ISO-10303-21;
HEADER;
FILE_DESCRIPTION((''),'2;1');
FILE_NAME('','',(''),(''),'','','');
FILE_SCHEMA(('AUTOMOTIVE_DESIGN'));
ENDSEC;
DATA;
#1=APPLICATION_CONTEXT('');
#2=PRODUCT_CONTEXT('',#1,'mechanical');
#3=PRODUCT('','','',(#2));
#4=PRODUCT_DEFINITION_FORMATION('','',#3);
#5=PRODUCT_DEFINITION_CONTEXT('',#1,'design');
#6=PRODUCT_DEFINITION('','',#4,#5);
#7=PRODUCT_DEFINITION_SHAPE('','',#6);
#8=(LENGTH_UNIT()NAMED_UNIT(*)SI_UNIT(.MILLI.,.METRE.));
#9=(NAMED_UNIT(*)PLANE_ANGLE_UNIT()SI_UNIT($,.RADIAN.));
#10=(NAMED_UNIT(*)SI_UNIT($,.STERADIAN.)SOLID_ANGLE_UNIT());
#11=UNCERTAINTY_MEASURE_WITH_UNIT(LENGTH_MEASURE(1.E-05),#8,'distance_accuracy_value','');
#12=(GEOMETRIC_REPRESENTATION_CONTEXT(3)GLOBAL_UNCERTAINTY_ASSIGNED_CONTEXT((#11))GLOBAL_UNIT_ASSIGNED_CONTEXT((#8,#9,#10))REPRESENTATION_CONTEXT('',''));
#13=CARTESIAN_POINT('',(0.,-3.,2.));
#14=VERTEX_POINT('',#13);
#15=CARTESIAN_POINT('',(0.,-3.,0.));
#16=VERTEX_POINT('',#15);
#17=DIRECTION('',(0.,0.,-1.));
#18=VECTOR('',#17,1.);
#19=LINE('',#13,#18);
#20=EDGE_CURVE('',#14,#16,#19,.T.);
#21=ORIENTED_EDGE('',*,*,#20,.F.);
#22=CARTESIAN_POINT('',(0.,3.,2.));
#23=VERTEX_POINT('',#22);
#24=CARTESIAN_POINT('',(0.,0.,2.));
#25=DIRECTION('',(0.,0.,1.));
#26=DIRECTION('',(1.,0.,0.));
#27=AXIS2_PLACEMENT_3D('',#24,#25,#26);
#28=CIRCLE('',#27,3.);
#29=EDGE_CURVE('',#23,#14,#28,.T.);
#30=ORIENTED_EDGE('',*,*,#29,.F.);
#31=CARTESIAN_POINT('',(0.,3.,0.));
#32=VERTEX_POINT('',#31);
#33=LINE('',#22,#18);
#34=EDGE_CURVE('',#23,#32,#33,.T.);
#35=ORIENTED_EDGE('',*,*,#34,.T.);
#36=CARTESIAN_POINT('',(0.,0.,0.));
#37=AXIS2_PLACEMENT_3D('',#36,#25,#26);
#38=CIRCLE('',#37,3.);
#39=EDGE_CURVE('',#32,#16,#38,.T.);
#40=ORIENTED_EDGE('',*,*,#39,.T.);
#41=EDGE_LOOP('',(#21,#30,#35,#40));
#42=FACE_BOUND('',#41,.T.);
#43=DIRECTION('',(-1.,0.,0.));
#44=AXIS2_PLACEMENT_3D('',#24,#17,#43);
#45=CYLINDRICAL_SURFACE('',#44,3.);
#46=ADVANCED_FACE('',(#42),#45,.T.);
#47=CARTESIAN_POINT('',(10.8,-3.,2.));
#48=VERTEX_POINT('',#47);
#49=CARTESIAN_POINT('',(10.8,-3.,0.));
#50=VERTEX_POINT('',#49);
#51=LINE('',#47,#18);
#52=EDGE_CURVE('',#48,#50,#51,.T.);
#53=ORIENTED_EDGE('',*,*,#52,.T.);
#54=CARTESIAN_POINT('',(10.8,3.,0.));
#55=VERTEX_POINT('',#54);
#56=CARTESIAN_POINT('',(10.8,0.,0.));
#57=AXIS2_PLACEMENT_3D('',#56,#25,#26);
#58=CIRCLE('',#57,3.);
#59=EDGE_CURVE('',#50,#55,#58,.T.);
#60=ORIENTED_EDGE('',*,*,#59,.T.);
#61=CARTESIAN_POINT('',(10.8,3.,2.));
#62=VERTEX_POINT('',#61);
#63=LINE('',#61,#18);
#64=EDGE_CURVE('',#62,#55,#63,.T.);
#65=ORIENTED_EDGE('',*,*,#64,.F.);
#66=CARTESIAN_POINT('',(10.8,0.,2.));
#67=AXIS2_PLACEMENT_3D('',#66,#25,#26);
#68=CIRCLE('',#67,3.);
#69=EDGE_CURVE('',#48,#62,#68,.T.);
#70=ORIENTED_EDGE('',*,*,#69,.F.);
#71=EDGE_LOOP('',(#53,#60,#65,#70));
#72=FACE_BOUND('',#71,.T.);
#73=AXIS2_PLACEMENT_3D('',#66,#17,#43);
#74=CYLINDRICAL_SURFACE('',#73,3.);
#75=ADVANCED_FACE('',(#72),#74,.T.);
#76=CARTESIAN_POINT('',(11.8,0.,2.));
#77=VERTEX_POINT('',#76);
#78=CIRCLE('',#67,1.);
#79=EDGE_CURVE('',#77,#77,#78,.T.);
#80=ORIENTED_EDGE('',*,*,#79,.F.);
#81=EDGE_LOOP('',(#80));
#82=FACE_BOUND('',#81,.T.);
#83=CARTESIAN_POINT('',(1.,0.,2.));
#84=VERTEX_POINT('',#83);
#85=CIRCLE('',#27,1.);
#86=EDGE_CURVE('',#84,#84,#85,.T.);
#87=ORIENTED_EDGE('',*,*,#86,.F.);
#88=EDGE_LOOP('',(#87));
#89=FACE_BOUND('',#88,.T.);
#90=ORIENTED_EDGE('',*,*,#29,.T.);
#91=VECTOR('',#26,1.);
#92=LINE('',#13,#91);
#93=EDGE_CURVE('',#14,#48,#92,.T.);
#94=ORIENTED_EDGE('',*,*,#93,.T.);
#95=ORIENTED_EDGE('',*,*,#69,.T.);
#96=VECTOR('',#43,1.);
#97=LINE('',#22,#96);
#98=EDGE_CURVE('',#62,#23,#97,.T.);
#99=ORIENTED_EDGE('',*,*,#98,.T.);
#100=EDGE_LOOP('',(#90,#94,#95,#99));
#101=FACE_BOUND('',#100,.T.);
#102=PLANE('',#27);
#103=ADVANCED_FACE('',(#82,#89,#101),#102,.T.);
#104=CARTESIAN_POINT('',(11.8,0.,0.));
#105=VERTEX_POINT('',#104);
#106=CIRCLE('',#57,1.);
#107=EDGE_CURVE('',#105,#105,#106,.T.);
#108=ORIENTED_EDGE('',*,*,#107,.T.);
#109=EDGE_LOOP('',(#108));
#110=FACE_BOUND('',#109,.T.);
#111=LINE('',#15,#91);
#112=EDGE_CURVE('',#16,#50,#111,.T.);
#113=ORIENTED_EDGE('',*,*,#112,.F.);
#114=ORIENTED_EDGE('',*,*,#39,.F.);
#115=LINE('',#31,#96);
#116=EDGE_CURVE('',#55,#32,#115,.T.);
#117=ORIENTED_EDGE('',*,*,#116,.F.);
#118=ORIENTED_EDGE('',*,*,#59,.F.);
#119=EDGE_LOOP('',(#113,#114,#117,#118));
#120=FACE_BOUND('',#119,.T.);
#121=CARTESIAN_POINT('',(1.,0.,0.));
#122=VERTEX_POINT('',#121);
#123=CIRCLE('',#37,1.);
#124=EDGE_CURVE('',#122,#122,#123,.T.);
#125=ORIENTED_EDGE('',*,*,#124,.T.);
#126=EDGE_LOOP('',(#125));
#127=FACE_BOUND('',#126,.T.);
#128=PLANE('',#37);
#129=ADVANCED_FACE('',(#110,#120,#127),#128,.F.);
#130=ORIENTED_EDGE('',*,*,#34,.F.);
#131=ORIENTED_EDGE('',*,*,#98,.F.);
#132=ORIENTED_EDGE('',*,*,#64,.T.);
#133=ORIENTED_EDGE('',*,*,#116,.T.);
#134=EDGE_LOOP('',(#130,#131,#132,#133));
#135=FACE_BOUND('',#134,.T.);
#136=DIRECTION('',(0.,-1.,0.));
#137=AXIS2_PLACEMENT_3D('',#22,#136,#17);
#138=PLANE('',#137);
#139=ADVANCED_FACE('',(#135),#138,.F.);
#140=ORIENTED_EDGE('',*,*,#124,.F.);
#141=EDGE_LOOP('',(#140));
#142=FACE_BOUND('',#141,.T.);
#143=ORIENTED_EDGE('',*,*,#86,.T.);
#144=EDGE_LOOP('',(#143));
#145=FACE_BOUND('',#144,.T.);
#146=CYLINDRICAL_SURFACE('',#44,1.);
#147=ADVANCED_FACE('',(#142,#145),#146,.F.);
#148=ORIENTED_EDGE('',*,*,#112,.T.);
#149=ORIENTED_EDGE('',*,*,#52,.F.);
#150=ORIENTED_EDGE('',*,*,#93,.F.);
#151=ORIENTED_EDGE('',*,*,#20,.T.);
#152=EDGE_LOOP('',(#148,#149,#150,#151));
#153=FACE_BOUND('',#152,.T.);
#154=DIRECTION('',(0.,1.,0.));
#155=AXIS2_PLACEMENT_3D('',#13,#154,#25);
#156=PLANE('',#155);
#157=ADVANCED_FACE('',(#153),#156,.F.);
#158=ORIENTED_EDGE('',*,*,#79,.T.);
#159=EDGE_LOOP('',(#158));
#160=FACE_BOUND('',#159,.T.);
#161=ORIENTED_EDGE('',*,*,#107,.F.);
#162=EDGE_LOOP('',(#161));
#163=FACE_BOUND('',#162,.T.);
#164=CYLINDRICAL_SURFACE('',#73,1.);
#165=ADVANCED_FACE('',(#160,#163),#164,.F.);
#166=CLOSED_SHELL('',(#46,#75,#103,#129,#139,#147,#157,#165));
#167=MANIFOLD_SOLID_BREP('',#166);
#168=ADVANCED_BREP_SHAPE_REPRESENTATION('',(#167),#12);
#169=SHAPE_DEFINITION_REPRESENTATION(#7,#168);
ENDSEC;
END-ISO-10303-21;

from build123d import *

# Parameters (mm, degrees)
CROQUIS3_R              = 1
SALIENTE_EXTRUIR1_DEPTH = 2


with BuildPart() as part:
    # Croquis3 → Saliente-Extruir1 (new body)
    with BuildSketch(Plane.XY):
        with BuildLine():
            Line((0, 3), (10.8, 3))
            ThreePointArc((10.8, 3), (13.8, 0), (10.8, -3))
            Line((10.8, -3), (0, -3))
            ThreePointArc((0, -3), (-3, 0), (0, 3))
        make_face()
        Circle(CROQUIS3_R, mode=Mode.SUBTRACT)
        with Locations((10.8, 0)):
            Circle(CROQUIS3_R, mode=Mode.SUBTRACT)
    extrude(amount=SALIENTE_EXTRUIR1_DEPTH)


solid = part.part
